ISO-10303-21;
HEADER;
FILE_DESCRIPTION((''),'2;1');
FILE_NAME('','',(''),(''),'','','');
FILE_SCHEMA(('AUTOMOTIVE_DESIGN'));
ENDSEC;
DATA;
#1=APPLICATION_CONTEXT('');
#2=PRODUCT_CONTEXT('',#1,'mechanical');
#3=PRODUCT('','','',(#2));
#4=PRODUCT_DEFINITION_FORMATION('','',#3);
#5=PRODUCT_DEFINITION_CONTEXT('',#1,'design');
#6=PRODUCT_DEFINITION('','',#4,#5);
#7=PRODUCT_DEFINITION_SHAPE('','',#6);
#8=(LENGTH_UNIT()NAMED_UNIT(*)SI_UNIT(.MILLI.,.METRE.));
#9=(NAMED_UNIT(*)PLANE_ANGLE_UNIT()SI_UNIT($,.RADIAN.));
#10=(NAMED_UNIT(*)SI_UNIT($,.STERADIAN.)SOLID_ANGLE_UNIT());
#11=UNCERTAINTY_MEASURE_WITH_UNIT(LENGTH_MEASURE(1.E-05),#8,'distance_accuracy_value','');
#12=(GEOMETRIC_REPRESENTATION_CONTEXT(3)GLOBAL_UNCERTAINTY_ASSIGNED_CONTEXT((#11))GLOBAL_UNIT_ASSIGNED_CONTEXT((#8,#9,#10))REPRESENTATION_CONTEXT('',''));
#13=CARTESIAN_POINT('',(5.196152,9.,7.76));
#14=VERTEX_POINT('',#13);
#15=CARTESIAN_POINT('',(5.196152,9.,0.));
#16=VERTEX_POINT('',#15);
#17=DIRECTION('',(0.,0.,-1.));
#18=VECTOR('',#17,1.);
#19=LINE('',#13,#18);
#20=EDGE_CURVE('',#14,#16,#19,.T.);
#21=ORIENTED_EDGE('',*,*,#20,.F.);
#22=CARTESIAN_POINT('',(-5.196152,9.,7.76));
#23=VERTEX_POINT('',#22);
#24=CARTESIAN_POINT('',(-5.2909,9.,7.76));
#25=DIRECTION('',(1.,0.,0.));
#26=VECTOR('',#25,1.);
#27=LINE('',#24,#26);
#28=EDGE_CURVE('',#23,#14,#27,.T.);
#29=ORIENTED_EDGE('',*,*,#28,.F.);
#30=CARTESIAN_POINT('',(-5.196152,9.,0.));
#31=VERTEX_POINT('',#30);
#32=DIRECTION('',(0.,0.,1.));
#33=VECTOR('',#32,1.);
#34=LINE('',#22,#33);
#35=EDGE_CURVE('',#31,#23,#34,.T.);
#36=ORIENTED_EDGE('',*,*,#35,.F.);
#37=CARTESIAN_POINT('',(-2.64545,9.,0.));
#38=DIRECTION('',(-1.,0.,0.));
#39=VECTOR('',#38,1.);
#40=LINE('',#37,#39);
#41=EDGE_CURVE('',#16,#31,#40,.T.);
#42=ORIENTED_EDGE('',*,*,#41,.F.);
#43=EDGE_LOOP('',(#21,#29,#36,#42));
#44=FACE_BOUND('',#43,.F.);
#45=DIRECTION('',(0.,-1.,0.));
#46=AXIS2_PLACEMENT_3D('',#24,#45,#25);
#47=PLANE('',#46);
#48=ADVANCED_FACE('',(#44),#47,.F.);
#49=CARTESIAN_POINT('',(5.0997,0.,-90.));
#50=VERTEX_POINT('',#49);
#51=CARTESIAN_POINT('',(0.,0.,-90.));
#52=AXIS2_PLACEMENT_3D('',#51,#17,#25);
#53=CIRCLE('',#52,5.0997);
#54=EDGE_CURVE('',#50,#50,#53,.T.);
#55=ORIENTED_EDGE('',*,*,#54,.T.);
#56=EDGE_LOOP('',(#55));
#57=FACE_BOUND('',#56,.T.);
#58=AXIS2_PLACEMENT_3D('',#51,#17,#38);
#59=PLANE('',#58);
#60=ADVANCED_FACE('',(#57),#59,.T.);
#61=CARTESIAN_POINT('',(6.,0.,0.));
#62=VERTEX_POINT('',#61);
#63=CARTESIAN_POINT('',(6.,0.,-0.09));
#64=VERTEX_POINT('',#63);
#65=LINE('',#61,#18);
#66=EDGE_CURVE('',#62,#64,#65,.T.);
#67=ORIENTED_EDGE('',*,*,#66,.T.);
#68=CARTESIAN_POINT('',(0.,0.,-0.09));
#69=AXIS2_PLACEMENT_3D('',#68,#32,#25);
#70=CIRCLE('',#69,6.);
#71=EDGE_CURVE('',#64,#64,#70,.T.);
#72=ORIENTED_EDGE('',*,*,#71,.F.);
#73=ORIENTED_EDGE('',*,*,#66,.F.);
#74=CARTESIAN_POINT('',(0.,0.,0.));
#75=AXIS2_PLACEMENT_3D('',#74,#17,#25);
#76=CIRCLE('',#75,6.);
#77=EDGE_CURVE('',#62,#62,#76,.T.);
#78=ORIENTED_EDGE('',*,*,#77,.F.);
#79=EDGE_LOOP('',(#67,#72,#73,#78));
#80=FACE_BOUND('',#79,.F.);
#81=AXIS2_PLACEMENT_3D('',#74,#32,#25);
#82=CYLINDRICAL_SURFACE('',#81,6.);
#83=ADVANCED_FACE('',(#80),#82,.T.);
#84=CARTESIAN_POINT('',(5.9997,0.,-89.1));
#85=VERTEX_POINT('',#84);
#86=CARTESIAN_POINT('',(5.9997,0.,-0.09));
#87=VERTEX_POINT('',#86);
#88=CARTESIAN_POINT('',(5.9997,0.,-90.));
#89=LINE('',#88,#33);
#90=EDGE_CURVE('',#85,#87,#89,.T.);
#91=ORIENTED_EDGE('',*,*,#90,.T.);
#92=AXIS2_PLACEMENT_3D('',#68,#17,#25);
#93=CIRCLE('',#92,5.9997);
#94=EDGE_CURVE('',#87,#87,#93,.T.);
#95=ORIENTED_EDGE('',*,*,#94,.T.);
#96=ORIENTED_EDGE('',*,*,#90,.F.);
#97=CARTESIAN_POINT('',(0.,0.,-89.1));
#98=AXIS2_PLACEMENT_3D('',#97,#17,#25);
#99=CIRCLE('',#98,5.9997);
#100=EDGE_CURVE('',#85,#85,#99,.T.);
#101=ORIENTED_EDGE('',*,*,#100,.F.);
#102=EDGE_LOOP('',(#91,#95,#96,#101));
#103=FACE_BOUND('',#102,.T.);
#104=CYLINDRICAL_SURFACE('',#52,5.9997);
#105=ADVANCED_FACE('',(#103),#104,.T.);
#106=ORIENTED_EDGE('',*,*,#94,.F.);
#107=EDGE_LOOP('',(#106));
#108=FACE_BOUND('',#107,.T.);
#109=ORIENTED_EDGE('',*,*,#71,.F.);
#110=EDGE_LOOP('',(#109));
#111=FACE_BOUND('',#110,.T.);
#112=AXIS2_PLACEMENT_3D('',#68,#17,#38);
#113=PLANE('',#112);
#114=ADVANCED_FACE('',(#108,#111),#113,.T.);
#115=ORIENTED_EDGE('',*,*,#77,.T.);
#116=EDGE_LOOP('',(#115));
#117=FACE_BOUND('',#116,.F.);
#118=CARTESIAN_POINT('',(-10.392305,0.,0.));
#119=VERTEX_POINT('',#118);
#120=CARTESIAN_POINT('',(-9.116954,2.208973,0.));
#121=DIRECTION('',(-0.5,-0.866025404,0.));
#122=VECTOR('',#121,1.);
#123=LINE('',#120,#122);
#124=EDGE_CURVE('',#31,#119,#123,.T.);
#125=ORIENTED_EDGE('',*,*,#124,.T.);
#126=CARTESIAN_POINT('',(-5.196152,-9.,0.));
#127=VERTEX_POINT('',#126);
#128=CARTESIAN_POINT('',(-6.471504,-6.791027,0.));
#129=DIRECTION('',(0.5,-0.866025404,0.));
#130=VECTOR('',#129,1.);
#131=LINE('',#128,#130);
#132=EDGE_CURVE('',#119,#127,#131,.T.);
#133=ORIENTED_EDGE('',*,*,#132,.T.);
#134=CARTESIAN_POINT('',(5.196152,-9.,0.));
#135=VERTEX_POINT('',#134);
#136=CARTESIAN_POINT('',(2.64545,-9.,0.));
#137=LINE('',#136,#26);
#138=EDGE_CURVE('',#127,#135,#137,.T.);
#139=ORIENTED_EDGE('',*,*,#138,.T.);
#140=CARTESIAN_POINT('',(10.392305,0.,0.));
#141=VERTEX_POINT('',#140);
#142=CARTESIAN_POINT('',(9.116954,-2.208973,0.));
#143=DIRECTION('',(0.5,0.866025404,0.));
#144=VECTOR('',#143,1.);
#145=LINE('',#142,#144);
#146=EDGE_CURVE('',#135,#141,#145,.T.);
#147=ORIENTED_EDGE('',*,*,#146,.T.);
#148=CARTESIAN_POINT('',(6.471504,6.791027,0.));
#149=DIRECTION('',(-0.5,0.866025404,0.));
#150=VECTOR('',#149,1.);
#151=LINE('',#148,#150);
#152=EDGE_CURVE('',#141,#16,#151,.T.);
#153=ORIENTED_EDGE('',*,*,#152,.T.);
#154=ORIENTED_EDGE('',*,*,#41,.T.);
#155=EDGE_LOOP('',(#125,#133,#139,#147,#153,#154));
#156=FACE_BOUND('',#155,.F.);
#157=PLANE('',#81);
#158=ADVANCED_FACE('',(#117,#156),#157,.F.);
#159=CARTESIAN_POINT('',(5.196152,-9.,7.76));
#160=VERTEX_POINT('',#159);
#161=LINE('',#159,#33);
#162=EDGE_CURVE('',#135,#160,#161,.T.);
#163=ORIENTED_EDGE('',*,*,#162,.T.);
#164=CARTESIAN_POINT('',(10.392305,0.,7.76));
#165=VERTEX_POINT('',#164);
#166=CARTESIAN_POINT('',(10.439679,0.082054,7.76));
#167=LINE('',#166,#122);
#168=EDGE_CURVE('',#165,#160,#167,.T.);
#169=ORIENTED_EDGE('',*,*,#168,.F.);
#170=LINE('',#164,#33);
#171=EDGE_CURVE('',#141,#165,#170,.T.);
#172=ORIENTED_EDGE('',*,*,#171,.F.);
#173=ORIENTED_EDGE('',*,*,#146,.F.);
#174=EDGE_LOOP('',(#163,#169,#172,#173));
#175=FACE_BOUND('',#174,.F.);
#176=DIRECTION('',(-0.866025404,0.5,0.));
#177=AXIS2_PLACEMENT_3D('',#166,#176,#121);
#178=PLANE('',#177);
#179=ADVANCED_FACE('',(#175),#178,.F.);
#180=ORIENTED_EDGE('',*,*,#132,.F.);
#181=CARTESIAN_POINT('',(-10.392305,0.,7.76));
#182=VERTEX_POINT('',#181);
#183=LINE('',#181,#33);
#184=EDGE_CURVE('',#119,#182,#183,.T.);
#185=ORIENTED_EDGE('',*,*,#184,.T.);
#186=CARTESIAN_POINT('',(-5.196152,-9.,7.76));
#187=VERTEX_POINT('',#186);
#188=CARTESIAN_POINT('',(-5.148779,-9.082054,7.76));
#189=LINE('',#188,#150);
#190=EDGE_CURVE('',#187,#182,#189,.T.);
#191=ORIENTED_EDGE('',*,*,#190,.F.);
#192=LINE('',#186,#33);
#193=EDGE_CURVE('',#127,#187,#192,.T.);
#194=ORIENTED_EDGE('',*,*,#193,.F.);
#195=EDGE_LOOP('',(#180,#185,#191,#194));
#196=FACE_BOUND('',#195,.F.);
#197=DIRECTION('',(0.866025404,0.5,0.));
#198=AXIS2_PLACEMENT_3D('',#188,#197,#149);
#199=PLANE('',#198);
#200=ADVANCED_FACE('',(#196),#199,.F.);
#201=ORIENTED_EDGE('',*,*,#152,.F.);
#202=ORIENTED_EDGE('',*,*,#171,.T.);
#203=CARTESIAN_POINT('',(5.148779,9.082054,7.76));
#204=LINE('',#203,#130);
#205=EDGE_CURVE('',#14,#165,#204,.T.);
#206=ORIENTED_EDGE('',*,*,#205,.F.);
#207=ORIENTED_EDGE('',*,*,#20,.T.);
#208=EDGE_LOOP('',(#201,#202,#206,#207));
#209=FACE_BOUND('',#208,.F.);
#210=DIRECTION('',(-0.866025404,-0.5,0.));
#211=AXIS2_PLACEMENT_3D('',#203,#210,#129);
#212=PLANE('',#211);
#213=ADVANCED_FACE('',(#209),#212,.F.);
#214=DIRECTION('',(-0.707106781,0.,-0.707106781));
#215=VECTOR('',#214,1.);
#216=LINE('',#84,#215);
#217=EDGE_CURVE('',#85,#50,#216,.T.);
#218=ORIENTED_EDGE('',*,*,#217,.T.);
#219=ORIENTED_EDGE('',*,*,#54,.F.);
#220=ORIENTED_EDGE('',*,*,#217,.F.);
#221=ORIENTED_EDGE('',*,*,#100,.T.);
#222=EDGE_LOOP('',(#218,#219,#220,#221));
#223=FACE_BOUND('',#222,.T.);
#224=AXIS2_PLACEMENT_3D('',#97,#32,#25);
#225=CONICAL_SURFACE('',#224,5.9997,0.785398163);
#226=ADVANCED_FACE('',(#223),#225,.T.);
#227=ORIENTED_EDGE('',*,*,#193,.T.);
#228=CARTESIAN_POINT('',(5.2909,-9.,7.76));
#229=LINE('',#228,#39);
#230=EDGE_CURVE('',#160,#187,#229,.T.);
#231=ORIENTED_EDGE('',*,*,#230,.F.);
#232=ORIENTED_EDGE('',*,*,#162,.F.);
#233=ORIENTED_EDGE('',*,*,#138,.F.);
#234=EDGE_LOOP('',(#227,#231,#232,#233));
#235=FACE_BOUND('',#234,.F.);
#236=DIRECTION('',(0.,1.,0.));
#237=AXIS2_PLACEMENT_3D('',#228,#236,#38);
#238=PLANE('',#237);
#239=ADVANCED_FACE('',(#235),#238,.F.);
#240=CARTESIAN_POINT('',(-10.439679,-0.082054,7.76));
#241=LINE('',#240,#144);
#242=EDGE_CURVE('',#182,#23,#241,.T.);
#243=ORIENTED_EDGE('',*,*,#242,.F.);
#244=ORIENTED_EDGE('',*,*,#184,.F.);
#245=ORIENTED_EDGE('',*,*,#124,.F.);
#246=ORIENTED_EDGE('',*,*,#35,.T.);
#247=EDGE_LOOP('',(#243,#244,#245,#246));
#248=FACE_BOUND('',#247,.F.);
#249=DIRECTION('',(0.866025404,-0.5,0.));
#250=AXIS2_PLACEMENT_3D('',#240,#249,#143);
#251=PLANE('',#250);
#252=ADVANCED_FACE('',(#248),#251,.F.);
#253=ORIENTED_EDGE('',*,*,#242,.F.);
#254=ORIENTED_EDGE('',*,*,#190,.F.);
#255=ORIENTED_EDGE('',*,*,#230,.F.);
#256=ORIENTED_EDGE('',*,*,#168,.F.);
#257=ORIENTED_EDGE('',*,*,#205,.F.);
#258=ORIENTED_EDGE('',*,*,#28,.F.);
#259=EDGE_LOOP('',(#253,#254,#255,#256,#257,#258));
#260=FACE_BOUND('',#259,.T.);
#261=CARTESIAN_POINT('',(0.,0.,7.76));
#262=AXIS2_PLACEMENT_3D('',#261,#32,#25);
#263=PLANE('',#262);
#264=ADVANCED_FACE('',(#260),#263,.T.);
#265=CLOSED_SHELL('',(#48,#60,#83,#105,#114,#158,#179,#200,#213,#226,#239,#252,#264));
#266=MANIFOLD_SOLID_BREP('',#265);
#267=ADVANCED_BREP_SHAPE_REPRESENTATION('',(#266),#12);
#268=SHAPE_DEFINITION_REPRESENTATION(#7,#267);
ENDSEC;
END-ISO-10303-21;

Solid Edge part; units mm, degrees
sketch "Sketch1" plane through (0, 0, 0) normal (0, 0, 1) x (1, 0, 0)
  circle A0 centre (0, 0) radius 10.44
  dimension "D1" = 20.88
extrude "Protrusion1" add sketch "Sketch1" along normal blind 7.76
sketch "Sketch2" plane through (0, 0, 0) normal (0, 0, -1) x (1, 0, 0)
  circle A0 centre (0, 0) radius 6
extrude "Protrusion2" add sketch "Sketch2" along normal blind 90
sketch "Sketch3" plane through (0, 0, -90) normal (0, 0, -1) x (1, 0, 0)
  circle A0 centre (0, 0) radius 5.9997
extrude "Cutout1" cut sketch "Sketch3" against normal blind 89.91 flip side to cut
chamfer "Chamfer_1" distance 0.9 angle 45 1 edges at (-5.9997, 0, -90)
sketch "Sketch4" plane through (0, 0, 7.76) normal (0, 0, 1) x (1, 0, 0)
  line L0 (-5.2909, 9) -> (5.2909, 9)
  dimension "D1" = 18
extrude "Cutout2" cut sketch "Sketch4" against normal up to next material side at (0, 9.05, 7.76)
pattern_circular "Pattern1" count 6 over 360 about axis through (0, 0, 7.76) along (0, 0, 1) of "Cutout2"
properties part number "185625"
